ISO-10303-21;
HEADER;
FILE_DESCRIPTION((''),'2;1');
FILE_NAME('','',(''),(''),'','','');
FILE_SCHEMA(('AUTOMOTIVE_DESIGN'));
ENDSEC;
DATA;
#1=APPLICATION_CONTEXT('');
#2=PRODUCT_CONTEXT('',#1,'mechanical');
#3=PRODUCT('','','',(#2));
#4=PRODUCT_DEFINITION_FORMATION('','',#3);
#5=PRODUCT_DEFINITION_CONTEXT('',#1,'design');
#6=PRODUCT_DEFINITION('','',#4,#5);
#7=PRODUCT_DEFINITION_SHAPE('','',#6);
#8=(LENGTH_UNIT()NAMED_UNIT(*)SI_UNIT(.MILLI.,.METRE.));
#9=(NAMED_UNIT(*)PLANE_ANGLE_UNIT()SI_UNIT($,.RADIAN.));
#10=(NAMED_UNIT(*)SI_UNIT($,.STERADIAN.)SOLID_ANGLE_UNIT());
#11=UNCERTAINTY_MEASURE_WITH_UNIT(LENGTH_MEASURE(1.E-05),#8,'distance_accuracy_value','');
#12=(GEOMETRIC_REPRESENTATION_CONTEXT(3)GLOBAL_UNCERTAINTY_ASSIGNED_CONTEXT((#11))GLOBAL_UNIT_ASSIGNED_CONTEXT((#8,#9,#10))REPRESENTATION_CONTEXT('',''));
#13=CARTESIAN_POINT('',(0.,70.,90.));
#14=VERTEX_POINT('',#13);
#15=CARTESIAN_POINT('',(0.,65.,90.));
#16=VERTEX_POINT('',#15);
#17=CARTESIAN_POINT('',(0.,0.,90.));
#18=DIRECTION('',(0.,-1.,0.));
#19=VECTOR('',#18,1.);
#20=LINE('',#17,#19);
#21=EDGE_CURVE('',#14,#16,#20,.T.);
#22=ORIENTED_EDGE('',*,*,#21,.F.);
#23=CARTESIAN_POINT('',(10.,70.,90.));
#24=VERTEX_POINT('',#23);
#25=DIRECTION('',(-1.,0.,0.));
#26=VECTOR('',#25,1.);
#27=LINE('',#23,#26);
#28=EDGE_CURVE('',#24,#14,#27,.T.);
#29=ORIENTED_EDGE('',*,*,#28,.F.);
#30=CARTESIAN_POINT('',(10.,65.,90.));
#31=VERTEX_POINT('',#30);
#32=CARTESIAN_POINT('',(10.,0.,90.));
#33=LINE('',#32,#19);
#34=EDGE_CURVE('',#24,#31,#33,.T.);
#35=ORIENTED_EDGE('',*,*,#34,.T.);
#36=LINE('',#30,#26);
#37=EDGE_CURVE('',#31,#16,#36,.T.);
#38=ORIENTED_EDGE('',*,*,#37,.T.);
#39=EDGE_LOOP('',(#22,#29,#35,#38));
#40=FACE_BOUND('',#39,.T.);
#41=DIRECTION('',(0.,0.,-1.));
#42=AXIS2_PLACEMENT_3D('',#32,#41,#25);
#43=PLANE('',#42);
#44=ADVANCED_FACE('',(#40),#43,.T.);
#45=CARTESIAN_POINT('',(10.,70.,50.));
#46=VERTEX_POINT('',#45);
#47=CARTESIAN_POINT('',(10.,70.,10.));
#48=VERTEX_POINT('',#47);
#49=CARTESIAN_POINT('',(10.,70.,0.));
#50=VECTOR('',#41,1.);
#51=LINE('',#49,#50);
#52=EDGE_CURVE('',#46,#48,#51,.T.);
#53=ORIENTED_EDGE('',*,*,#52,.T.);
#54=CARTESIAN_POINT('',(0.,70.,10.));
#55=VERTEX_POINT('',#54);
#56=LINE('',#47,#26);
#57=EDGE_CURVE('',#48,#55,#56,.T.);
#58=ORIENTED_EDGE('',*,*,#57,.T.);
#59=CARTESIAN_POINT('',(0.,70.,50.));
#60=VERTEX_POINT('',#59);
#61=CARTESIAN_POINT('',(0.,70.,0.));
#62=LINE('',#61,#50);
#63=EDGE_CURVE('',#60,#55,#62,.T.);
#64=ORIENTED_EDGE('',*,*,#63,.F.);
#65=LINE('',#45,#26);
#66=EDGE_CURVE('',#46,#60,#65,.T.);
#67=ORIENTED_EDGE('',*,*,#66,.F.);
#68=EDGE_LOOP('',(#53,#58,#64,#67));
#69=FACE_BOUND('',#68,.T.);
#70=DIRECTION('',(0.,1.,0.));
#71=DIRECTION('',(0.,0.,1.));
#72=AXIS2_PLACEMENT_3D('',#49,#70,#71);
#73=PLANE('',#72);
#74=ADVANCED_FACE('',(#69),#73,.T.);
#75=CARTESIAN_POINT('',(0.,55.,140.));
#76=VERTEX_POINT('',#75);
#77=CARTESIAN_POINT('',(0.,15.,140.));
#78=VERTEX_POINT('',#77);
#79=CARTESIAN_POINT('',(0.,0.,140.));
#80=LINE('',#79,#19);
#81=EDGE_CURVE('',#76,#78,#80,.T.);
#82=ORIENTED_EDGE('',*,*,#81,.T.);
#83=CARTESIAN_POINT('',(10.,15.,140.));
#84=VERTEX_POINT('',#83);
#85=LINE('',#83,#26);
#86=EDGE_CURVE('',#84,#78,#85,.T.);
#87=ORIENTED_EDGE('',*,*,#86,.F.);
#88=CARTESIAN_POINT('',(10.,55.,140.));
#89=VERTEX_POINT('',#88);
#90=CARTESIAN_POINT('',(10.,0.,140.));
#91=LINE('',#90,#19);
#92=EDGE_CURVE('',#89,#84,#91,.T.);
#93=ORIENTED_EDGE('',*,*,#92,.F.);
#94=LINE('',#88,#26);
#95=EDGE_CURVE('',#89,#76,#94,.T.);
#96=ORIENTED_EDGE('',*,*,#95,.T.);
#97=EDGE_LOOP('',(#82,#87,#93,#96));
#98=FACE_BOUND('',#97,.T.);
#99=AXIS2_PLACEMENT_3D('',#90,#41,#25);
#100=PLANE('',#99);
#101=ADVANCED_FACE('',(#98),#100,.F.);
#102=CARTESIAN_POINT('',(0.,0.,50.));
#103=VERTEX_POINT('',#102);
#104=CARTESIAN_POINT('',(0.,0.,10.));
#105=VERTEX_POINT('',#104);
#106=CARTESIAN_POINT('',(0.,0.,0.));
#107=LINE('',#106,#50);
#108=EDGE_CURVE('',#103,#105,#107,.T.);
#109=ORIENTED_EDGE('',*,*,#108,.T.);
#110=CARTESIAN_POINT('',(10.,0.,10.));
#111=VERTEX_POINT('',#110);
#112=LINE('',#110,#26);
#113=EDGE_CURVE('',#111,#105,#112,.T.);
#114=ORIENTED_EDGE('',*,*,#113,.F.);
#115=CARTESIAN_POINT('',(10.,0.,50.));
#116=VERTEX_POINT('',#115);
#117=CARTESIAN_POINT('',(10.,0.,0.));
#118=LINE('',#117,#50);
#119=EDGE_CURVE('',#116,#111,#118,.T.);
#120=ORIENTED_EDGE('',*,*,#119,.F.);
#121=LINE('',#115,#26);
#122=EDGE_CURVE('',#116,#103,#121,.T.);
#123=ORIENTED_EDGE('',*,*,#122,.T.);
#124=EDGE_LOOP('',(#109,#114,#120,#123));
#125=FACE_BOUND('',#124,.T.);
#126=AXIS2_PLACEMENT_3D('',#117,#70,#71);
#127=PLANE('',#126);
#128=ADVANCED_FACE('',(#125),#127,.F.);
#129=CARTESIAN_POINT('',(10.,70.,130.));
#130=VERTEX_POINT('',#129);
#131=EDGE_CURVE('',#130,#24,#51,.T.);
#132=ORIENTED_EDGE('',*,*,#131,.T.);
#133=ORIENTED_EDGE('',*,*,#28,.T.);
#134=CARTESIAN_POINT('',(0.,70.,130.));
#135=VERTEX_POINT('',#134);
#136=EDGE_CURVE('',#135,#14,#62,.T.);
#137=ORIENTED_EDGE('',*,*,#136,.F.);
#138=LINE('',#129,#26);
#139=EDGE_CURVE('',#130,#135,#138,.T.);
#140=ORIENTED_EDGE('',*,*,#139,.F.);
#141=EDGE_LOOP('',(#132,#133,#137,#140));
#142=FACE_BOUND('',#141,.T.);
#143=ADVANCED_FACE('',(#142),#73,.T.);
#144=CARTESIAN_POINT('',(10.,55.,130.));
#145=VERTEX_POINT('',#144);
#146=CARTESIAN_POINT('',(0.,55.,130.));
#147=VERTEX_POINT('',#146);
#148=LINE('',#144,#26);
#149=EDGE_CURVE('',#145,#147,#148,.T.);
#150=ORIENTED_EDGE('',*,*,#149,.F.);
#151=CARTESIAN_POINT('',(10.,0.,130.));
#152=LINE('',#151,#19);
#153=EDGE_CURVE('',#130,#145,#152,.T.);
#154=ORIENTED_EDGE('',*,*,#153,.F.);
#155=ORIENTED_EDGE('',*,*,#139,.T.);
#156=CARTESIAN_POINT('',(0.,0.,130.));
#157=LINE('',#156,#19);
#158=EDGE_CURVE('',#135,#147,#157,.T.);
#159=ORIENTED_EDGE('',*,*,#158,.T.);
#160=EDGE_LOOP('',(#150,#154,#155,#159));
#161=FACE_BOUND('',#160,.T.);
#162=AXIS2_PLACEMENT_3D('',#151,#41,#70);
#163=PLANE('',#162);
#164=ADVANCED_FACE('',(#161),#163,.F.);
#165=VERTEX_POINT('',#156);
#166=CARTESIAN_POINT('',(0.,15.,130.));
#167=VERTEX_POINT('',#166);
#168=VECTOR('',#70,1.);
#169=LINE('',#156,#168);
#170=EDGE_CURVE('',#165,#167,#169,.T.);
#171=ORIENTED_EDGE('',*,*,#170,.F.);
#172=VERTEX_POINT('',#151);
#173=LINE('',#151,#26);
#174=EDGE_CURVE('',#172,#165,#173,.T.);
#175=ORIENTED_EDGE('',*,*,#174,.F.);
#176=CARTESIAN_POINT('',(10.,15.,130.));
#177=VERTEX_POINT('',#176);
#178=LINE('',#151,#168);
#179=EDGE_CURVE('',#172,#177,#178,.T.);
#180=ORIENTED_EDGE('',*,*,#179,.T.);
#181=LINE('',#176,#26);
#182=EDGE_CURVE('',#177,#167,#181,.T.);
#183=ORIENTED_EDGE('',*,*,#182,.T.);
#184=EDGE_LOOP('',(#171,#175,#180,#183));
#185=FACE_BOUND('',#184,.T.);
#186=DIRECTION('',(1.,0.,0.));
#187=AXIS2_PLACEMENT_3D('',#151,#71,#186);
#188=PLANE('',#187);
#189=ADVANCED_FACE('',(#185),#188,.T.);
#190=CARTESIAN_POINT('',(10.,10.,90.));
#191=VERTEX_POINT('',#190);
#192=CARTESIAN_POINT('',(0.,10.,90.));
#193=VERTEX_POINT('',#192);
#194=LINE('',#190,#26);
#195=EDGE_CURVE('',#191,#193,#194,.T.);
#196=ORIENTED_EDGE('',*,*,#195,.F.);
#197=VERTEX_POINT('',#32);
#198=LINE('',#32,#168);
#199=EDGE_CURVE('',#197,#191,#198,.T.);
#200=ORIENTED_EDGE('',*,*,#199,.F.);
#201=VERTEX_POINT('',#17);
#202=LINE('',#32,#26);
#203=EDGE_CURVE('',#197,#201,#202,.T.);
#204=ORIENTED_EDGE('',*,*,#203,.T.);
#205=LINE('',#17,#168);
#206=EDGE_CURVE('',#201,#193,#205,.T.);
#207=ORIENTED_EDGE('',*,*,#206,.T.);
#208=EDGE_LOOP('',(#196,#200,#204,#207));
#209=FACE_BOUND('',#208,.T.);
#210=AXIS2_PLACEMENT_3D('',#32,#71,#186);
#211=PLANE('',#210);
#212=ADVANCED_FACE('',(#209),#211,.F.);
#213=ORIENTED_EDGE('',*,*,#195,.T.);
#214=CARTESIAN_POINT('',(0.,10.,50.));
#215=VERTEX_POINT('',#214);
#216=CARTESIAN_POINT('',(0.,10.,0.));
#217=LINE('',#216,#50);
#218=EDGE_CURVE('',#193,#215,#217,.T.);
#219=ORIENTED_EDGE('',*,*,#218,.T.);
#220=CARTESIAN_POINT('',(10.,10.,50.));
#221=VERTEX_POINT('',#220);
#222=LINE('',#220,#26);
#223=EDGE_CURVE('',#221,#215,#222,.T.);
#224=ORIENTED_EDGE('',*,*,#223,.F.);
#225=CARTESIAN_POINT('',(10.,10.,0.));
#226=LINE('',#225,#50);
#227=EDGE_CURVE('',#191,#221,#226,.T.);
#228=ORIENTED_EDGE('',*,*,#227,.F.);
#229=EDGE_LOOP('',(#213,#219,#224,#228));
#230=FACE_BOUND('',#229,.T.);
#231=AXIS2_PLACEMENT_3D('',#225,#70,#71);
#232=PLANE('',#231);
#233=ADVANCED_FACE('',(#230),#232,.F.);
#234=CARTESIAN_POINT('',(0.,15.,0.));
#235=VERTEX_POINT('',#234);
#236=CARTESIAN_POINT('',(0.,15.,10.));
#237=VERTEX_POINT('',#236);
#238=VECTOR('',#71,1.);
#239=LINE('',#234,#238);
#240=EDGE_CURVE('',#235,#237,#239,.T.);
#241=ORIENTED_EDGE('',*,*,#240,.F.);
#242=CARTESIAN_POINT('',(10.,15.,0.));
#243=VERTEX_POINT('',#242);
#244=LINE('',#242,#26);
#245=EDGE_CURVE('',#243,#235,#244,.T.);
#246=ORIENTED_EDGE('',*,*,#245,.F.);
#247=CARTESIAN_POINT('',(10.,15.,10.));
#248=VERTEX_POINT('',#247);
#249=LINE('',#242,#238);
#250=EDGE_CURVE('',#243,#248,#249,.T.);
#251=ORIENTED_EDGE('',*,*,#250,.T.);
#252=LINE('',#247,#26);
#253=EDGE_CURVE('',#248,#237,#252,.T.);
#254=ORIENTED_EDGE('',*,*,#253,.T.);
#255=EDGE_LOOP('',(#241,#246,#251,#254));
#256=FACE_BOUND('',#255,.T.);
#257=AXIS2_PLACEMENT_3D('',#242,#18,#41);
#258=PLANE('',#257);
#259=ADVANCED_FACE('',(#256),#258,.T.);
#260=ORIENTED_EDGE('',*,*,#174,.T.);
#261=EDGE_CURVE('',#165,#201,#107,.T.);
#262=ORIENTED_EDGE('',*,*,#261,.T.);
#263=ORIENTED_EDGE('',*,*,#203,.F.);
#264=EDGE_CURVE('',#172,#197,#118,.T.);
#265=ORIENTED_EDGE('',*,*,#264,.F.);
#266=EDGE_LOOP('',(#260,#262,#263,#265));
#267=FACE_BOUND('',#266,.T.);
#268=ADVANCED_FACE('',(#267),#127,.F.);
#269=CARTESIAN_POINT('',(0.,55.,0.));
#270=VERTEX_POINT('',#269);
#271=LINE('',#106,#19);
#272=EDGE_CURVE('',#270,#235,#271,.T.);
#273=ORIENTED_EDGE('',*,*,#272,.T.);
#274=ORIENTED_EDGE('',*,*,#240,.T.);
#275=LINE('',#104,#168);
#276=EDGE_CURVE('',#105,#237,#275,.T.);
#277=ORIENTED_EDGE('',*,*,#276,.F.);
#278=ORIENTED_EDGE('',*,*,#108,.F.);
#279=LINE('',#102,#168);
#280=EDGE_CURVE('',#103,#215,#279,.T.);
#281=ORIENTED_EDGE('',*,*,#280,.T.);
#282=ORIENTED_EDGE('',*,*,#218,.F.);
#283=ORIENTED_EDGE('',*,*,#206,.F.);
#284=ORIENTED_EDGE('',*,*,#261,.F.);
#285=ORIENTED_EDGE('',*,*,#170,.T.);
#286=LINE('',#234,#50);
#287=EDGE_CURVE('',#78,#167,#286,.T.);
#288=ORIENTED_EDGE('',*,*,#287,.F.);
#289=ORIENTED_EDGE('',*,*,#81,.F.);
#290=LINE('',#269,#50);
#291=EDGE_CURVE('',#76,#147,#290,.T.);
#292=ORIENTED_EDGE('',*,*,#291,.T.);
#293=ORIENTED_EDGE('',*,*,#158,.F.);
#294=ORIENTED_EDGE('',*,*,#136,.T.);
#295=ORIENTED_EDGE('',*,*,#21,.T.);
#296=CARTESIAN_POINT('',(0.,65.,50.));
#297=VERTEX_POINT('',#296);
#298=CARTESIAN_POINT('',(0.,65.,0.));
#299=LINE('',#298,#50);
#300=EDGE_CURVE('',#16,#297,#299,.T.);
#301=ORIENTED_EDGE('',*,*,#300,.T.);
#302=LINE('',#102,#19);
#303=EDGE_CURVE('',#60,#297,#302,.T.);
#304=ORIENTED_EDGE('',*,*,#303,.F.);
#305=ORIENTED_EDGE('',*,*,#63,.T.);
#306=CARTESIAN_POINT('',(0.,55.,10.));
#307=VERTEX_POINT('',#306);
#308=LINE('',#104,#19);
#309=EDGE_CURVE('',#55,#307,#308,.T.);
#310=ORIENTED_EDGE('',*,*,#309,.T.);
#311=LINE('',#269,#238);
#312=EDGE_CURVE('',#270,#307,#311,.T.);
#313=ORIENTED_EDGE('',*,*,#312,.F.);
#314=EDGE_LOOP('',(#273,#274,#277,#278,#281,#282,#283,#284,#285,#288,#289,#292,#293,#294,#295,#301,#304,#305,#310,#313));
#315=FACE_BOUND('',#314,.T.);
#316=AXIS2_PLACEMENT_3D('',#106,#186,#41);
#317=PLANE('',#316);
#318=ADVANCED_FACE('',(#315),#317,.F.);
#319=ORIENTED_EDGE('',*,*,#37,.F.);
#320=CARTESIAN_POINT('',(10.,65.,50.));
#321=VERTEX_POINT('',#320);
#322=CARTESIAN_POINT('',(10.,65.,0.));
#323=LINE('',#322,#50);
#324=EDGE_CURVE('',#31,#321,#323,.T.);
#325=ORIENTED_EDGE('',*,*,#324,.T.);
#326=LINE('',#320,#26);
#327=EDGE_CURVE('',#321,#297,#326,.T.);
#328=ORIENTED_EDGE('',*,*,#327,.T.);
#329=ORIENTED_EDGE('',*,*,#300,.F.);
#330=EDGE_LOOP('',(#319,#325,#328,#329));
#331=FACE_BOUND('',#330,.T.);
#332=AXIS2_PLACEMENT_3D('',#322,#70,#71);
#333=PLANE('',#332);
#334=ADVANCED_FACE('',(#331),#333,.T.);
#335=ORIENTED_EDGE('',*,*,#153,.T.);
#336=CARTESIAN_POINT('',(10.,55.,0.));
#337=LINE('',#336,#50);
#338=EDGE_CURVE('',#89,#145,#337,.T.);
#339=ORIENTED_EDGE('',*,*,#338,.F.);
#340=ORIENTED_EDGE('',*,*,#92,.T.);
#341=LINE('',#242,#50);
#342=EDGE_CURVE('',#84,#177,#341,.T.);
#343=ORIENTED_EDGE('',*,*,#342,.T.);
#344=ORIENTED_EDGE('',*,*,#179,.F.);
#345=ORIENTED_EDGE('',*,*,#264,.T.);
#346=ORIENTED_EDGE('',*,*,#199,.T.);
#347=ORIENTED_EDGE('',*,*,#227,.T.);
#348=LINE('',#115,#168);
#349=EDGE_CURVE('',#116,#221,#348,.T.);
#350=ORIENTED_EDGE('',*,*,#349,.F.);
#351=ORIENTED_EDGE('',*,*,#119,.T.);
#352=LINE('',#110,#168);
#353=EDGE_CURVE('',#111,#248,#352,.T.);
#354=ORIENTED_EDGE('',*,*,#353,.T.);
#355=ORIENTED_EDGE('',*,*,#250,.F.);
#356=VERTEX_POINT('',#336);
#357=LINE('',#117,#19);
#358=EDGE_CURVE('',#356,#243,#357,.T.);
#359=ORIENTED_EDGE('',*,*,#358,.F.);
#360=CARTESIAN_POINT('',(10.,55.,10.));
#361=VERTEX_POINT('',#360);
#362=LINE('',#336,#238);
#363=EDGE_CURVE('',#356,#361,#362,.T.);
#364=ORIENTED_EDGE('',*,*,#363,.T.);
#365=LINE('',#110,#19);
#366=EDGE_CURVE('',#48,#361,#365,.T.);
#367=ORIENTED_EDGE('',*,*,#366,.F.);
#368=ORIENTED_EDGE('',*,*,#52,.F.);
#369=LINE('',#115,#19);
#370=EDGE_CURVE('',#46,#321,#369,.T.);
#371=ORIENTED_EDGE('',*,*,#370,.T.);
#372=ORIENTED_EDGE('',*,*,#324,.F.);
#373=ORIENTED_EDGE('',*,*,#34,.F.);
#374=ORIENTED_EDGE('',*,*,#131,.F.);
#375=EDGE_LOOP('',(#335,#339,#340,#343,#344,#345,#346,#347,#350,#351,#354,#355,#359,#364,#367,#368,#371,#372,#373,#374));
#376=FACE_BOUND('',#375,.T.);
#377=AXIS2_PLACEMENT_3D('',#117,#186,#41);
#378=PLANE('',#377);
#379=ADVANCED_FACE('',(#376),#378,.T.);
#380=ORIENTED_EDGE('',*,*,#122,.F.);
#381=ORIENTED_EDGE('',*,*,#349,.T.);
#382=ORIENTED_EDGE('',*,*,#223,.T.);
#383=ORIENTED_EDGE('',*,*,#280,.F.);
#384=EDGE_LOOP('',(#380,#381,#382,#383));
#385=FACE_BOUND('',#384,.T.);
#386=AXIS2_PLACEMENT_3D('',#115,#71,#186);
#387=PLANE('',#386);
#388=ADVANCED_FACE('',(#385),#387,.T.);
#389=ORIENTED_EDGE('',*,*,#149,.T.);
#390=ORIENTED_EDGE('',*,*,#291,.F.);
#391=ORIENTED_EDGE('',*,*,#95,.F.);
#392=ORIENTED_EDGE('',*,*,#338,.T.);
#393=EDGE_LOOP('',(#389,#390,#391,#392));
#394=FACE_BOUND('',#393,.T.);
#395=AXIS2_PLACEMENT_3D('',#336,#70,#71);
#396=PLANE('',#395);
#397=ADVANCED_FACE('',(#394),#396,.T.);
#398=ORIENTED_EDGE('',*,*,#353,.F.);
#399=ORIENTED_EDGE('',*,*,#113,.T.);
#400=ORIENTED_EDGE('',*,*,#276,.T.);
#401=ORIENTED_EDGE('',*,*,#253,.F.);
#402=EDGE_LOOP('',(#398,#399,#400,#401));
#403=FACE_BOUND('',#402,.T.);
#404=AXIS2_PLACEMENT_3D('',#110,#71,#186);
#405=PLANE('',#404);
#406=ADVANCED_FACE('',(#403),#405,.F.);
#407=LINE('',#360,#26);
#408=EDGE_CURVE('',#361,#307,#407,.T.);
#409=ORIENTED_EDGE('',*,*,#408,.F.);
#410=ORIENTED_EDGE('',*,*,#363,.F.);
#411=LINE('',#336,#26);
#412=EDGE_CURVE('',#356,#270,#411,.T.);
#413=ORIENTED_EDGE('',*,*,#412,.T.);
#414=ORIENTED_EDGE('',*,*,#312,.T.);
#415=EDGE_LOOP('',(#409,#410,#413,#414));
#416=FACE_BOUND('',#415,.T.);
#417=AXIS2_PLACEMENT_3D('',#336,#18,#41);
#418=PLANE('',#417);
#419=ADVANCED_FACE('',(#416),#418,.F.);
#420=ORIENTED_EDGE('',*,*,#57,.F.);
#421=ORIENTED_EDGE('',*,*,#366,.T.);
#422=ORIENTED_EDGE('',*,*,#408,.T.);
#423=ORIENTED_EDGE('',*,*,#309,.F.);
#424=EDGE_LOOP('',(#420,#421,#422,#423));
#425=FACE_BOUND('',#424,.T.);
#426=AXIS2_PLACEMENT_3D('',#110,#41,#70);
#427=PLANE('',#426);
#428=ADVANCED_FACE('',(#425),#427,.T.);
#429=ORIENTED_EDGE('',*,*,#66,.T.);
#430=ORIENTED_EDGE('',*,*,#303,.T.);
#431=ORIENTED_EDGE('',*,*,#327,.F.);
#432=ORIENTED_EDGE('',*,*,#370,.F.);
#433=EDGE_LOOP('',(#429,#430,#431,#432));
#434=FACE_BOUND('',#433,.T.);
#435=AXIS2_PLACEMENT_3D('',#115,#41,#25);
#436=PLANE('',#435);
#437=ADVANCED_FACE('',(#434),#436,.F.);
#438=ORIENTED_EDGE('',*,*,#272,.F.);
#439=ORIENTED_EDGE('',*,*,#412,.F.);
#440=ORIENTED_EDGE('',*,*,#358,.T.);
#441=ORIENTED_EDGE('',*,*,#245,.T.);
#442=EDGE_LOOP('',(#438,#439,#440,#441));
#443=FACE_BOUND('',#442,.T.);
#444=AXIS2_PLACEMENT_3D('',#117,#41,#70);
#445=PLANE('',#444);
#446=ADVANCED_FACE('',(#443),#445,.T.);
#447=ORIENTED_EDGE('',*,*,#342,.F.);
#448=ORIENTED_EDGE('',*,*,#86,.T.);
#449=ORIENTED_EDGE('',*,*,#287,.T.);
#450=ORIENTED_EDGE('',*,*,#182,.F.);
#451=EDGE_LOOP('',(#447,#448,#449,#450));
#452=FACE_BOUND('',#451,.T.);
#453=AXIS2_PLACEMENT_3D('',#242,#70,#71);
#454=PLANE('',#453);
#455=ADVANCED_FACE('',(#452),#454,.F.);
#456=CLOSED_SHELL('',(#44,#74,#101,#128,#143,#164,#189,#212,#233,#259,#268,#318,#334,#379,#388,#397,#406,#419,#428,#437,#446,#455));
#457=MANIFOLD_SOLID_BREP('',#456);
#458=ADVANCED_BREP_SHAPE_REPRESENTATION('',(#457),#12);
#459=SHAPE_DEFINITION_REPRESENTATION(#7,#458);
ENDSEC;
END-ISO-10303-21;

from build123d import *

# Parameters (mm, degrees)
BOSS_EXTRUDE1_DEPTH = 10


with BuildPart() as part:
    # Sketch1 → Boss-Extrude1 (new body)
    with BuildSketch(Plane(origin=(0, 0, 0), x_dir=(0, 0, -1), z_dir=(1, 0, 0))):
        Polygon((-90, 70), (-130, 70), (-130, 55), (-140, 55), (-140, 15), (-130, 15), (-130, 0), (-90, 0), (-90, 10), (-50, 10), (-50, 0), (-10, 0), (-10, 15), (0, 15), (0, 55), (-10, 55), (-10, 70), (-50, 70), (-50, 65), (-90, 65), align=None)
    extrude(amount=BOSS_EXTRUDE1_DEPTH)


solid = part.part
